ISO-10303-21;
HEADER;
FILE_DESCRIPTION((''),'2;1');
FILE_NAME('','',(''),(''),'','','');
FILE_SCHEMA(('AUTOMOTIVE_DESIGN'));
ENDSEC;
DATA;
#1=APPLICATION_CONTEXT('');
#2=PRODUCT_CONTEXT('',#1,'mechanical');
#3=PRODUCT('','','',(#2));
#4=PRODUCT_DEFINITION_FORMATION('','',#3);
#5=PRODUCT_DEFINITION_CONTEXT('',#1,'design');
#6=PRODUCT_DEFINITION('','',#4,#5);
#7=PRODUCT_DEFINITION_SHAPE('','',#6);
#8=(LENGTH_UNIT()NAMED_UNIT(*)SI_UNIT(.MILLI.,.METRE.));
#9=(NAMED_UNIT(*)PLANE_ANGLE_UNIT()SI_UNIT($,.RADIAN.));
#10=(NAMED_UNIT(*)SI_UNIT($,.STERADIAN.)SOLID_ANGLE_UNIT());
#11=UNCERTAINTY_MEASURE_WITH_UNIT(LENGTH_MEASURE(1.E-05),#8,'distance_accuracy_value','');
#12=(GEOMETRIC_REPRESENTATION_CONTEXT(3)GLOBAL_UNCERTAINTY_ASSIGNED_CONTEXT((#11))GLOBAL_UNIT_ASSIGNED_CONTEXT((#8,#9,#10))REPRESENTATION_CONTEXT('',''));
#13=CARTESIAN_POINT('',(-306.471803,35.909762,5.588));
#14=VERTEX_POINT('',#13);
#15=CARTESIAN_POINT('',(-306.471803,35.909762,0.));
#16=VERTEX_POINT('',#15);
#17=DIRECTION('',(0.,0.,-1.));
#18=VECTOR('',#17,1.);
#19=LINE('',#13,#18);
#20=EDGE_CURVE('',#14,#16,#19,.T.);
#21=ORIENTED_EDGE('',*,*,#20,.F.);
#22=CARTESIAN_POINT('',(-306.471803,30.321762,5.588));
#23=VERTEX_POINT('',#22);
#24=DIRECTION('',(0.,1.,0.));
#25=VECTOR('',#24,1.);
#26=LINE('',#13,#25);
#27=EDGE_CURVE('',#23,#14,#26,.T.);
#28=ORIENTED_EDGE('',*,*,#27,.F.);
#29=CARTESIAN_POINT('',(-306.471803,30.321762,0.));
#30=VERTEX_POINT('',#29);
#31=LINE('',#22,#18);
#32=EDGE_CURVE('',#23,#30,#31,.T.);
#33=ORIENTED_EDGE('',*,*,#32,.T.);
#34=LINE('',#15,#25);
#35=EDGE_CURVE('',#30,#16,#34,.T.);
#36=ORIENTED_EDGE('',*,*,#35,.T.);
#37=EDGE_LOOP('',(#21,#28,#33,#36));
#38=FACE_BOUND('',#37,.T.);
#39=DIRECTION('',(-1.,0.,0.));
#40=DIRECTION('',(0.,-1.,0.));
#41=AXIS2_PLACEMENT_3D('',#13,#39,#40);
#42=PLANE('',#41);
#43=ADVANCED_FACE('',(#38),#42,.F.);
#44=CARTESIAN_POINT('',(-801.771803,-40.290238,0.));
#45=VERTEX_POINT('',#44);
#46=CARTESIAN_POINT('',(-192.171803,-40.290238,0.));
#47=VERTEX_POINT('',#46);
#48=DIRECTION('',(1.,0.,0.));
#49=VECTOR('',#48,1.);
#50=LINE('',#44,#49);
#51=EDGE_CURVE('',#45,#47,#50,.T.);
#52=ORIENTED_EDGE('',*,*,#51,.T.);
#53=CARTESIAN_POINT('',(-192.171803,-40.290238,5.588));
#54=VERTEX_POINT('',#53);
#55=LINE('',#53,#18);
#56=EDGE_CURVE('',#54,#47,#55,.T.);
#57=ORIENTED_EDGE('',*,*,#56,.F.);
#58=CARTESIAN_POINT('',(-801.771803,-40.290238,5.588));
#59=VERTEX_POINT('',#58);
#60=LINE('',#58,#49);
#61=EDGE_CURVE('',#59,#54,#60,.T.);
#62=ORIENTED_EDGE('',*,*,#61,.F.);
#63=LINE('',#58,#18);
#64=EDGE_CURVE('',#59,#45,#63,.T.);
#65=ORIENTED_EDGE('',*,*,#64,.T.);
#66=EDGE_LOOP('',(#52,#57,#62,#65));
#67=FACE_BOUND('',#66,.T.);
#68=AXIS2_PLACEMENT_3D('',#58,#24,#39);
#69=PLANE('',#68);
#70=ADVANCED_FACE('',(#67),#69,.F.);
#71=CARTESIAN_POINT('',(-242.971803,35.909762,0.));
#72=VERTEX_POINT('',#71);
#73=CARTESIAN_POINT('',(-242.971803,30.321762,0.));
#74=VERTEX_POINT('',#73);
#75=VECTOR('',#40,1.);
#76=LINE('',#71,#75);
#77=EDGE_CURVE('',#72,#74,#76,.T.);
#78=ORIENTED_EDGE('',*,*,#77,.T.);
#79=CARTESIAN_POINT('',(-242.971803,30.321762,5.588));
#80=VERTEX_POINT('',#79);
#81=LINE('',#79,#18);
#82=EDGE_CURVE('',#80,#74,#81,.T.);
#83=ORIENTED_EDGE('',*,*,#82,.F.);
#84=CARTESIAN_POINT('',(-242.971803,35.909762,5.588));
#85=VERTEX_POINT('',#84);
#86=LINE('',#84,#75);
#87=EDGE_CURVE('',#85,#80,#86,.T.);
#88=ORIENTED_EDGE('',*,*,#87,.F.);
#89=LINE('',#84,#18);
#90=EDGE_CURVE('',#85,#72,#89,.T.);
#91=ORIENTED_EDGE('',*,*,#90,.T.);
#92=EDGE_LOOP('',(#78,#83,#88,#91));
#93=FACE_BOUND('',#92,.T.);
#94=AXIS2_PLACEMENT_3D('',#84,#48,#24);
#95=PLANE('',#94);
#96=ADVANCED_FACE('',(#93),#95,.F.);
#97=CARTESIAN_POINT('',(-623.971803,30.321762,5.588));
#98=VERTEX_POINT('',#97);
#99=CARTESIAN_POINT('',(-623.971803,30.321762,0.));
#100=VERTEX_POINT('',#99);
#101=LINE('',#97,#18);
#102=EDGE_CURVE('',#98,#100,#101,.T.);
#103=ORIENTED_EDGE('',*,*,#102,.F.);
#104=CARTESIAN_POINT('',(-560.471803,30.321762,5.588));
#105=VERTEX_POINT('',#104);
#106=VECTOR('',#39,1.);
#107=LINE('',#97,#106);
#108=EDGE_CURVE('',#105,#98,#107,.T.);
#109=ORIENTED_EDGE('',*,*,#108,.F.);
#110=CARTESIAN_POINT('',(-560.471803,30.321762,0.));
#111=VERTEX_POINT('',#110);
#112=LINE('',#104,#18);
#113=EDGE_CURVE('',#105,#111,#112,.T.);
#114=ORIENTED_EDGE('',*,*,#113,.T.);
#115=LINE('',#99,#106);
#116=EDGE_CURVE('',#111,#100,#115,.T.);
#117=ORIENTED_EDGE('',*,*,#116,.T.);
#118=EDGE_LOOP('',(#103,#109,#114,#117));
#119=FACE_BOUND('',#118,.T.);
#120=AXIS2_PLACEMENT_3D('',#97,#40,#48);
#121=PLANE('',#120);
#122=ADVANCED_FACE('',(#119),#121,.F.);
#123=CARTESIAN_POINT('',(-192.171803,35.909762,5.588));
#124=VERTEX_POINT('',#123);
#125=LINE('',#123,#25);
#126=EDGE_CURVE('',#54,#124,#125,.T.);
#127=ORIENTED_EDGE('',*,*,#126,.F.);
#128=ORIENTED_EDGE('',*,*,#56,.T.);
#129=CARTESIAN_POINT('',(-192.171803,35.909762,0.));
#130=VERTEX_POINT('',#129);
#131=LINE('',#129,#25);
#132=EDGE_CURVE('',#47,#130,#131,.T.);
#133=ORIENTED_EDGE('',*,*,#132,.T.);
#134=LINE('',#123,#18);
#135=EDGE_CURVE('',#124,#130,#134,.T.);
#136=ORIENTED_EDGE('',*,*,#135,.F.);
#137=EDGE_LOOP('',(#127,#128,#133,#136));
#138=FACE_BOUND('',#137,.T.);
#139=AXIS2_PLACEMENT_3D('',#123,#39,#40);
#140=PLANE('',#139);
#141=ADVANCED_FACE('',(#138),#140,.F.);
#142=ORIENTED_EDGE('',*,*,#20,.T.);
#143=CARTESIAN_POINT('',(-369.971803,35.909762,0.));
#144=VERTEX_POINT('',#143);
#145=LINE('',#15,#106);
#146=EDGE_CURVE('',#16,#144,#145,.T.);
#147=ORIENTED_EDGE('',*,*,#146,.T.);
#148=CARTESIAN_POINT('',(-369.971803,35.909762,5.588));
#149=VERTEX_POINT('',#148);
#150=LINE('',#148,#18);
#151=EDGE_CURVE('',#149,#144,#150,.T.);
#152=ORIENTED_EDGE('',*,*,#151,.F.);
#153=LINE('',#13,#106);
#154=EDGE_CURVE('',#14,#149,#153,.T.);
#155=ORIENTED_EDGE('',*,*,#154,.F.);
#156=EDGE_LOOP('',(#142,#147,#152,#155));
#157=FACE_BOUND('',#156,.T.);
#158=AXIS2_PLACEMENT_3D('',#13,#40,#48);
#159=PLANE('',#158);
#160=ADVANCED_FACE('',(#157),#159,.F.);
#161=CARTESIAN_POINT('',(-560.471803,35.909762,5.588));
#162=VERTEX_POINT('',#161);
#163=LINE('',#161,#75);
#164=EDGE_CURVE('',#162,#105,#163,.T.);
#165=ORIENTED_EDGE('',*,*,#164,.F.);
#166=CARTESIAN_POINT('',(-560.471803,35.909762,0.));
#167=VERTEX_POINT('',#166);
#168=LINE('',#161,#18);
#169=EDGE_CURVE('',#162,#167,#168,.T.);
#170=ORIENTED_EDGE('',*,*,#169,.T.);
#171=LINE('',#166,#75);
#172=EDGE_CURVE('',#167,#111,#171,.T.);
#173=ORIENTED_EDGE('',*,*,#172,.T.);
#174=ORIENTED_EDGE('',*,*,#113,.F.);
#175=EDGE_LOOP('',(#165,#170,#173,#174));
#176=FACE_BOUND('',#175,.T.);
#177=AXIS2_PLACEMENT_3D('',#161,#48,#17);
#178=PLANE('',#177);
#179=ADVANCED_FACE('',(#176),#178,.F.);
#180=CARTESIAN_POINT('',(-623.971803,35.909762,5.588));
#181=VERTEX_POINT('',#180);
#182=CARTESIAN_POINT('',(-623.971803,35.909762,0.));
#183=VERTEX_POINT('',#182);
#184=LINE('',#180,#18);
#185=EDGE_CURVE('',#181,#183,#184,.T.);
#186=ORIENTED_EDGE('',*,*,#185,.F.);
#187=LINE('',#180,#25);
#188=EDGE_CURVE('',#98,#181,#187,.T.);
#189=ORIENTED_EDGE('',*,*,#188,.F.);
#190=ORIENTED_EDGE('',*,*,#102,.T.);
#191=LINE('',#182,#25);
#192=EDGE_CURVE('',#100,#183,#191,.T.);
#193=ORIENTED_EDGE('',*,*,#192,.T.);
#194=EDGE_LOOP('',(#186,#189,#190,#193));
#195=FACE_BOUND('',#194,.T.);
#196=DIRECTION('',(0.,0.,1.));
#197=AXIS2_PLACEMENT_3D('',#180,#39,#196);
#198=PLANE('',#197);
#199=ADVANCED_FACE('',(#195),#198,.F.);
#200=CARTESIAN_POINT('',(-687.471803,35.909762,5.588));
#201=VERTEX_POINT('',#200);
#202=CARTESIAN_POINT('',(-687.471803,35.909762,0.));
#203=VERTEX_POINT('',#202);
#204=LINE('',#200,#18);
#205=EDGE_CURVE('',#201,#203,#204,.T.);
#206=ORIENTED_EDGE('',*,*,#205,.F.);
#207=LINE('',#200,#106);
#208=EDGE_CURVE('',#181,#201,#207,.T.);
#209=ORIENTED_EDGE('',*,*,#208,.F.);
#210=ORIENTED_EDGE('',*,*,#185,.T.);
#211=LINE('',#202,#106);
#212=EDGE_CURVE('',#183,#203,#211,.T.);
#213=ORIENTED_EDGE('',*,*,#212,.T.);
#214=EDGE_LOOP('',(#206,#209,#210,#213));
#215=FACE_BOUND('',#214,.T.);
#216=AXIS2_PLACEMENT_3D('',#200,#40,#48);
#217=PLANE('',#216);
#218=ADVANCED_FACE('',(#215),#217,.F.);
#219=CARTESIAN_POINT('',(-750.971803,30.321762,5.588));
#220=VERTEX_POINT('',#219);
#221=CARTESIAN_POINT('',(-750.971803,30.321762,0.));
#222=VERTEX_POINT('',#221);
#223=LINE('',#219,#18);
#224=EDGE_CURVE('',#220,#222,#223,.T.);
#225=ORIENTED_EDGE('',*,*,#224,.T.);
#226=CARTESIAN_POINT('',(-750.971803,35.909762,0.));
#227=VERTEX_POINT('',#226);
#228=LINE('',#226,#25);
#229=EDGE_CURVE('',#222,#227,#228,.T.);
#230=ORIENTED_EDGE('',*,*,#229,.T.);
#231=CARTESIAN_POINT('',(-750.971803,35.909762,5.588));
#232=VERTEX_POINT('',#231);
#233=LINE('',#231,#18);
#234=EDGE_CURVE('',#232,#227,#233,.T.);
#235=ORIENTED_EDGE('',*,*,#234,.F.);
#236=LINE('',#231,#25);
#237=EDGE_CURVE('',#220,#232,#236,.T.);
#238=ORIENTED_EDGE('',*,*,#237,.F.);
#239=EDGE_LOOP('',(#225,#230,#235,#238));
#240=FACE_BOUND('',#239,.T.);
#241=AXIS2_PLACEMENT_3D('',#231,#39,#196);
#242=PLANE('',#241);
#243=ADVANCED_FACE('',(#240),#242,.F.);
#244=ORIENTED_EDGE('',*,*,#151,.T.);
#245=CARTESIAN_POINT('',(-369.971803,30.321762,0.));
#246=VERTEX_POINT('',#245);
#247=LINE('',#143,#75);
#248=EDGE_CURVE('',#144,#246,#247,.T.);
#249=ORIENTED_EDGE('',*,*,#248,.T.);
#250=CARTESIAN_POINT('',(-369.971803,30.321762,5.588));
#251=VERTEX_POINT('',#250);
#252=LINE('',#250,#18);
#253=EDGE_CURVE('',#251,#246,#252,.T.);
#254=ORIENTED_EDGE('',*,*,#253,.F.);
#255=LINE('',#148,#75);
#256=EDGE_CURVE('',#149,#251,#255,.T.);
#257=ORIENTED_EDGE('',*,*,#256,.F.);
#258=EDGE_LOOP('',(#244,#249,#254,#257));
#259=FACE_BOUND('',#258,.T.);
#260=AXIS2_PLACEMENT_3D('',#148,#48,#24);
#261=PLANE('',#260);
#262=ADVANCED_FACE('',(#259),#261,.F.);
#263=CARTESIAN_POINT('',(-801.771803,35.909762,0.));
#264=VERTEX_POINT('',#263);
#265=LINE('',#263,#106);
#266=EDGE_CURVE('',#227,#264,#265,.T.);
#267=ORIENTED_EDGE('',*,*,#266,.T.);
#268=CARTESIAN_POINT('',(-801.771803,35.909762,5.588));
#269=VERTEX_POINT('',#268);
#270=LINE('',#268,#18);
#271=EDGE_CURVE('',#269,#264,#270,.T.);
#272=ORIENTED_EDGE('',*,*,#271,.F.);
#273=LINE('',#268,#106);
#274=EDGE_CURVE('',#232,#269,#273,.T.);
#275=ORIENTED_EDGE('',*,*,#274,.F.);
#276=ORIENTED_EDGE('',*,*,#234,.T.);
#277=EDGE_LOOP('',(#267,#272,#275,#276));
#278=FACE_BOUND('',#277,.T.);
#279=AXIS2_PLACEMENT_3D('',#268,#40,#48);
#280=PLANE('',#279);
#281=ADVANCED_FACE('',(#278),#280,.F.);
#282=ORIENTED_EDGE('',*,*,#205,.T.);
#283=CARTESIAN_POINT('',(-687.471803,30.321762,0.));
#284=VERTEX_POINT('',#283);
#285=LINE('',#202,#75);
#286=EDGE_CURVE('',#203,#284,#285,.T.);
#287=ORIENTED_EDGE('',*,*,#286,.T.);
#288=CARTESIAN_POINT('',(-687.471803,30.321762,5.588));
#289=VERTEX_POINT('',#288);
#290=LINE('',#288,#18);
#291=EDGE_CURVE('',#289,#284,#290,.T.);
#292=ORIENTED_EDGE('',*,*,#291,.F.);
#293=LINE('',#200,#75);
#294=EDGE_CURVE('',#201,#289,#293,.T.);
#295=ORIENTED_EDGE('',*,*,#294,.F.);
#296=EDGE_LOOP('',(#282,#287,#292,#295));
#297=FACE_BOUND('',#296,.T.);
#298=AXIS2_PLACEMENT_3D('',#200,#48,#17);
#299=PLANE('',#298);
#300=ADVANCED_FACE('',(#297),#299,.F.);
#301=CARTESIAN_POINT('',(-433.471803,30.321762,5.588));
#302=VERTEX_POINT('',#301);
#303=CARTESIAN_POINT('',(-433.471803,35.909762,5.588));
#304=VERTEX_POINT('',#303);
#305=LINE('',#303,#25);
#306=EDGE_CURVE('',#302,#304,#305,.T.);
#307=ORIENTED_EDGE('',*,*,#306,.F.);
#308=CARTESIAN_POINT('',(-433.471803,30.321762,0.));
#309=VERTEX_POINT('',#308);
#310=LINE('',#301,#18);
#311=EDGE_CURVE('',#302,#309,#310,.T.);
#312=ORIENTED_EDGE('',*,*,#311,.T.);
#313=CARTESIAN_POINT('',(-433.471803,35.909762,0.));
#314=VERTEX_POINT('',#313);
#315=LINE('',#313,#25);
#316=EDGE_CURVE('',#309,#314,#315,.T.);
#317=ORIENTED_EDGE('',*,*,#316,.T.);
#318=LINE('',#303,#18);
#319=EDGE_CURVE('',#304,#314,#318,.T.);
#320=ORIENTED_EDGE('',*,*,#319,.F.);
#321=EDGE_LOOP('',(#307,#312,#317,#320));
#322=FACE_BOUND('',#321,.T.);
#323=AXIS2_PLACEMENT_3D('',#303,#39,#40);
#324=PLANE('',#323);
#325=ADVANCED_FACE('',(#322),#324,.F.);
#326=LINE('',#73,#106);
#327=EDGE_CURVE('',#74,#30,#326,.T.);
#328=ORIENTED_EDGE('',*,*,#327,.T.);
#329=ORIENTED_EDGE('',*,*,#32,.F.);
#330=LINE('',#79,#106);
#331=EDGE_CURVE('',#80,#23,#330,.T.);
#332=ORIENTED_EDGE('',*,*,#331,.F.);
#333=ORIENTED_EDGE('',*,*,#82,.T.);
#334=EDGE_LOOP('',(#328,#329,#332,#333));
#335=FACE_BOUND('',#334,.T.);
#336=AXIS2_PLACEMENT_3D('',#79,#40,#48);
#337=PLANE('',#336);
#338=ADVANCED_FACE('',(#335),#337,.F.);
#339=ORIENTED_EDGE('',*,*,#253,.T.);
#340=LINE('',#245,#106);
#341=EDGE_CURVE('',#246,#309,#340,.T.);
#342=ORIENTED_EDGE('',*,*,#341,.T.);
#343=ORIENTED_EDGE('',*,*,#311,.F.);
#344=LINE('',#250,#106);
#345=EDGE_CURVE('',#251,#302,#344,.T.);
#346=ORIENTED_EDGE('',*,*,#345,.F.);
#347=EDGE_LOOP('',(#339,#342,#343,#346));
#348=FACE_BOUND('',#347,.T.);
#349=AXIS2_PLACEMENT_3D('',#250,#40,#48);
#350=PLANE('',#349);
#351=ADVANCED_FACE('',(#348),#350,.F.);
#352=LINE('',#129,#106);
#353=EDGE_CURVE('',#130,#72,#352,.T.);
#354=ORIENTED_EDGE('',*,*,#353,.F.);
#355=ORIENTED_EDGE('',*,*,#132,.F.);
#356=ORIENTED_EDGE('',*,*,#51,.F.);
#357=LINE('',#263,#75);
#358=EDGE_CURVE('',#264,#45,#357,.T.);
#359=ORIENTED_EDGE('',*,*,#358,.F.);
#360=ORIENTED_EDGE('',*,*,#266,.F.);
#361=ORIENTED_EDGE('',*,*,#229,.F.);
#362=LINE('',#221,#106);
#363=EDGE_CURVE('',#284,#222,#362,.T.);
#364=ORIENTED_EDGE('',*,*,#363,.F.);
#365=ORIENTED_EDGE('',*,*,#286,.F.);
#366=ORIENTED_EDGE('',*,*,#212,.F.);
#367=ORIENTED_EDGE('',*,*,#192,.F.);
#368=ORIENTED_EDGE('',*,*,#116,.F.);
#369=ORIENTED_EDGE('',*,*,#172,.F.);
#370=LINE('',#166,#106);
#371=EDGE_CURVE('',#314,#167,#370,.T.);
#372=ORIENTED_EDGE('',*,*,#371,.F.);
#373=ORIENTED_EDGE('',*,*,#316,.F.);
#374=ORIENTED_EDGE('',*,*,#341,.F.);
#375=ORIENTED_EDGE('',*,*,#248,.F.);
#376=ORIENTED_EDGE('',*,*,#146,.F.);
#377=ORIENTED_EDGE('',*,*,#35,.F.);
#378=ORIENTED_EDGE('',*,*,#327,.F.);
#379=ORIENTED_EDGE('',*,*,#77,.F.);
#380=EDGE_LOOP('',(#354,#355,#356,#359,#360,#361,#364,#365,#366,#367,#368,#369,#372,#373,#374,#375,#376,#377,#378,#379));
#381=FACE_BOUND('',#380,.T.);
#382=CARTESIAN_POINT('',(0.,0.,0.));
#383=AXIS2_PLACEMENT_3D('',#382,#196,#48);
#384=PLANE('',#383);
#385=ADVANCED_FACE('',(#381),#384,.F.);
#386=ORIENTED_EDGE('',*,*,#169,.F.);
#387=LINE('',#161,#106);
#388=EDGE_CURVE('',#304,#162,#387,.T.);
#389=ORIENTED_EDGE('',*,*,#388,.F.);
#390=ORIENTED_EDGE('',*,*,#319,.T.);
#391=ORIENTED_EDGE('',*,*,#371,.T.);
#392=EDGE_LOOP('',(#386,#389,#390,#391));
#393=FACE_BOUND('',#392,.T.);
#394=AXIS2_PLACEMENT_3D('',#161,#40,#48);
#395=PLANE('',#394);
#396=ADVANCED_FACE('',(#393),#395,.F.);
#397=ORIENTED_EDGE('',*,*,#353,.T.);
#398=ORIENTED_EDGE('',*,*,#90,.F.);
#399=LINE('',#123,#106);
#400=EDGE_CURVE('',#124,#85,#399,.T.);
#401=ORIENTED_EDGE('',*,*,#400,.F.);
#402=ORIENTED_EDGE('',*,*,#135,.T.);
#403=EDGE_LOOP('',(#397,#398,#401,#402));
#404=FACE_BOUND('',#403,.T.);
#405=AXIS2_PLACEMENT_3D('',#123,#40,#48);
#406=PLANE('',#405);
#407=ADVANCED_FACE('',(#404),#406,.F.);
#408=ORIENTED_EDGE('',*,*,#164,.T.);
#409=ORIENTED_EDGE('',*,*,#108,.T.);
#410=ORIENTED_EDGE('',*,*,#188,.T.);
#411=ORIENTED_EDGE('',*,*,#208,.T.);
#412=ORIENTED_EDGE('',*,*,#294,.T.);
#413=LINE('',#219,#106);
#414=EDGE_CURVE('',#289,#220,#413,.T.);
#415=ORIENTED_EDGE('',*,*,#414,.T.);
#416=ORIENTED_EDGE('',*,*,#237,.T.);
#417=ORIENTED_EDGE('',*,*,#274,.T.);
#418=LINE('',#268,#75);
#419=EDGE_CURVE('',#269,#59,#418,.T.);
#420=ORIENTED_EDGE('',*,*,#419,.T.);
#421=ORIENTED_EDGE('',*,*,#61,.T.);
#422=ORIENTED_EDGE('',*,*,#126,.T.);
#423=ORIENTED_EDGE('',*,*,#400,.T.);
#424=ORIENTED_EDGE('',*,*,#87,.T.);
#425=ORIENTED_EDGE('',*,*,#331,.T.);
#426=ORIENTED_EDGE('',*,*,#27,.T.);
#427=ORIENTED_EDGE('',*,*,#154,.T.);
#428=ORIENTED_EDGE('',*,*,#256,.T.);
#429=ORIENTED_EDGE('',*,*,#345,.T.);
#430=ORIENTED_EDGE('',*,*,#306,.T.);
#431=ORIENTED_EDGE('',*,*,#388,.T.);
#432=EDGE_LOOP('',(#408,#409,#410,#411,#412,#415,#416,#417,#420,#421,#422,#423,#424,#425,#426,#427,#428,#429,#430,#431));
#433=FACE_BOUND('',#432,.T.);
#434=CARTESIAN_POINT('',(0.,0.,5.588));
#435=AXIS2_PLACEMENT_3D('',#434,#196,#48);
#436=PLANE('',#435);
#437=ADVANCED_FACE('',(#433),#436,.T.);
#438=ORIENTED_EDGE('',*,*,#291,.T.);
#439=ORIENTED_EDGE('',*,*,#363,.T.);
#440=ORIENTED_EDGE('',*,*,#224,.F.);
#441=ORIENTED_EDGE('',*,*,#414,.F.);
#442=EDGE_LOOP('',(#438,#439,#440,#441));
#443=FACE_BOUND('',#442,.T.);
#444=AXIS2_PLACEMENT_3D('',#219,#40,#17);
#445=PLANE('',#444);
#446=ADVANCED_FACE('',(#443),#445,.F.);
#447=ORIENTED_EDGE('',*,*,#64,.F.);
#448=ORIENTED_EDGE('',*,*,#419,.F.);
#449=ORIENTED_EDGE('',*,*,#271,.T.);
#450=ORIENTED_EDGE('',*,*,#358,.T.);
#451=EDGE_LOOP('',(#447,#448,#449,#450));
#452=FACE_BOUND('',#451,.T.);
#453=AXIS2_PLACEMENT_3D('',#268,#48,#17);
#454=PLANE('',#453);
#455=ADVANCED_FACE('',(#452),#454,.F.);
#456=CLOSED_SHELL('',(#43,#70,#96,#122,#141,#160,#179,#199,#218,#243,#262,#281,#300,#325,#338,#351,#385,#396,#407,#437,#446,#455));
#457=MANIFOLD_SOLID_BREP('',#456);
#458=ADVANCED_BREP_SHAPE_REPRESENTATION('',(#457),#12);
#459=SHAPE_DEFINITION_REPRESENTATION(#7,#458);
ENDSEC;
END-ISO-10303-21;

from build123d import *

# Parameters (mm, degrees)
BOSS_EXTRUDE1_DEPTH = 5.588


with BuildPart() as part:
    # Sketch1 → Boss-Extrude1 (new body)
    with BuildSketch(Plane.XY):
        Polygon((-801.771802918, 35.909761597), (-750.971802918, 35.909761597), (-750.971802918, 30.321761597), (-687.471802918, 30.321761597), (-687.471802918, 35.909761597), (-623.971802918, 35.909761597), (-623.971802918, 30.321761597), (-560.471802918, 30.321761597), (-560.471802918, 35.909761597), (-433.471802918, 35.909761597), (-433.471802918, 30.321761597), (-369.971802918, 30.321761597), (-369.971802918, 35.909761597), (-306.471802918, 35.909761597), (-306.471802918, 30.321761597), (-242.971802918, 30.321761597), (-242.971802918, 35.909761597), (-192.171802918, 35.909761597), (-192.171802918, -40.290238403), (-801.771802918, -40.290238403), align=None)
    extrude(amount=BOSS_EXTRUDE1_DEPTH)


solid = part.part
